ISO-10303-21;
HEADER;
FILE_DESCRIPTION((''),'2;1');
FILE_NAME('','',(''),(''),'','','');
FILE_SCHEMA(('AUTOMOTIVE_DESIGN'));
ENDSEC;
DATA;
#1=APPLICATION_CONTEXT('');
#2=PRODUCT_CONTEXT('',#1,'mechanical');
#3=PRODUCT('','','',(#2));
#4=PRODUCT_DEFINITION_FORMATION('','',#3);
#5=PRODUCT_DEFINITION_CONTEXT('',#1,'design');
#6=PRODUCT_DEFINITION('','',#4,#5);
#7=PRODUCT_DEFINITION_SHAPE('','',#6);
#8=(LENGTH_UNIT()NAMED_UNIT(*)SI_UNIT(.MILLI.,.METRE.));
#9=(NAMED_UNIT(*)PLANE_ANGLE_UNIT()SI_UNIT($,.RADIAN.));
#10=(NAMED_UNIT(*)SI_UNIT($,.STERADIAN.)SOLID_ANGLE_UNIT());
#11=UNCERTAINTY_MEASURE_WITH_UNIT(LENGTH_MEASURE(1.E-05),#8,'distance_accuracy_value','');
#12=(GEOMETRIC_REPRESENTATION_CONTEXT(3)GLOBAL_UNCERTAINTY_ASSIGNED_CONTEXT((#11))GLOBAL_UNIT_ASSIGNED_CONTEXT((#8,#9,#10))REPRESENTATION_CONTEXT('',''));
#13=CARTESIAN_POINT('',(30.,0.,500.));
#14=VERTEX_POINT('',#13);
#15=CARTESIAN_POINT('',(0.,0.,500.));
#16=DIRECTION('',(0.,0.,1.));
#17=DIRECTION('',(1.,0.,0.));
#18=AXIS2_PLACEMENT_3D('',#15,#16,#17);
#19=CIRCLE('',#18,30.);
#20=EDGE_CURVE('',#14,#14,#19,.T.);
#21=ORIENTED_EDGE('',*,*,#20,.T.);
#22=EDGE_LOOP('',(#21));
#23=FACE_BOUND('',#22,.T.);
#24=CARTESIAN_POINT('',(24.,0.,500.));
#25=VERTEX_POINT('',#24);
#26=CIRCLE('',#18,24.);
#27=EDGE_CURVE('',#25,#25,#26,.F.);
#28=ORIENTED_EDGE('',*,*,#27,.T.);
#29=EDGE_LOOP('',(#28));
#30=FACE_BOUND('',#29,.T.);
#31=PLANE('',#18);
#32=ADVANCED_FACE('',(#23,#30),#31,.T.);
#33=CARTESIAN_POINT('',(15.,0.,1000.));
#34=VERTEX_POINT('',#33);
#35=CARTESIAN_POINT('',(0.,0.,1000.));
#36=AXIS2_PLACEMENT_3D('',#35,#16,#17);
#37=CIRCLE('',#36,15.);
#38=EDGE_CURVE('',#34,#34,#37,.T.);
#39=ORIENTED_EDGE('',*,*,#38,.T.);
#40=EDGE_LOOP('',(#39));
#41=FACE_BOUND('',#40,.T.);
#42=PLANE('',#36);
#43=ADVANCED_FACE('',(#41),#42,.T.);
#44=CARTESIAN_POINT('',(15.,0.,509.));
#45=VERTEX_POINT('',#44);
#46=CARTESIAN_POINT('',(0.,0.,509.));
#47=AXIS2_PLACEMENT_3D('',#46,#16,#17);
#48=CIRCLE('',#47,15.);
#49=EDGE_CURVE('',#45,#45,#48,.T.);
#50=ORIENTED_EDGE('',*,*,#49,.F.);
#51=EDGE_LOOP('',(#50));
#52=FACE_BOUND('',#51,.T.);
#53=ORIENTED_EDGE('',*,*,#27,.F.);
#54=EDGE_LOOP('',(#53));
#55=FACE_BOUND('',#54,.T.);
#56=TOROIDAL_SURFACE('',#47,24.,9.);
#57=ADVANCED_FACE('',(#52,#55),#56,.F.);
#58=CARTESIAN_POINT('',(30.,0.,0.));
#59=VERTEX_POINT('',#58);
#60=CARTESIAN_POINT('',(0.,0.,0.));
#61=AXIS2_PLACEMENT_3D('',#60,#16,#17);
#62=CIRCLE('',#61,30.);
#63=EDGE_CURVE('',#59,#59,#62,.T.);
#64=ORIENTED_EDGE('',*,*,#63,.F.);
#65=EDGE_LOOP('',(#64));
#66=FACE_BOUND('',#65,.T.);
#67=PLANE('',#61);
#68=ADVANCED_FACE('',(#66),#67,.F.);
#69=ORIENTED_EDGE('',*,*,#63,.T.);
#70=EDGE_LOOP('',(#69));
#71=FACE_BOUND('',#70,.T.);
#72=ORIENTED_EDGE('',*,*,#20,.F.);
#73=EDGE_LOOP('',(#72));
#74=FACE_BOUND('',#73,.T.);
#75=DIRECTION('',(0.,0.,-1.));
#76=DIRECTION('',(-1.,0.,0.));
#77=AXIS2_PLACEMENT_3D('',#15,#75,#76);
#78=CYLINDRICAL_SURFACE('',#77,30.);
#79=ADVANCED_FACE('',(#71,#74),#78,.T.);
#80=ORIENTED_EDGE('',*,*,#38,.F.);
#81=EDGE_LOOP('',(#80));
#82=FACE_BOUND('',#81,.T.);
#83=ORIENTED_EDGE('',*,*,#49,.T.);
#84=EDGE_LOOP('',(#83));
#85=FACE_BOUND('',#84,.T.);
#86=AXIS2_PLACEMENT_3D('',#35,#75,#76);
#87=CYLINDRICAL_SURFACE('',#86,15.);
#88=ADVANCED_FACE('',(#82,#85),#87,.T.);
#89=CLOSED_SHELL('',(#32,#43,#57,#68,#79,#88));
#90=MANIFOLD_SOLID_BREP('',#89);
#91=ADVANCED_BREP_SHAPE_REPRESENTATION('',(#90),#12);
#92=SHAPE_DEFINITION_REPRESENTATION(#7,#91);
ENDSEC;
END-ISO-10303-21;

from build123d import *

# Parameters (mm, degrees)
SKETCH1_R           = 30
BOSS_EXTRUDE1_DEPTH = 500
SKETCH2_R           = 15
BOSS_EXTRUDE2_DEPTH = 500
FILLET3_R           = 9


with BuildPart() as part:
    # Sketch1 → Boss-Extrude1 (new body)
    with BuildSketch(Plane.XY):
        Circle(SKETCH1_R)
    extrude(amount=BOSS_EXTRUDE1_DEPTH)

    # Sketch2 → Boss-Extrude2 (add)
    with BuildSketch(Plane.XY.offset(500)):
        Circle(SKETCH2_R)
    extrude(amount=BOSS_EXTRUDE2_DEPTH)

    # Fillet3
    fillet3_edges = [part.edges().sort_by_distance(p)[0] for p in [
        (-15, 0, 500),
    ]]
    fillet(fillet3_edges, radius=FILLET3_R)


solid = part.part
